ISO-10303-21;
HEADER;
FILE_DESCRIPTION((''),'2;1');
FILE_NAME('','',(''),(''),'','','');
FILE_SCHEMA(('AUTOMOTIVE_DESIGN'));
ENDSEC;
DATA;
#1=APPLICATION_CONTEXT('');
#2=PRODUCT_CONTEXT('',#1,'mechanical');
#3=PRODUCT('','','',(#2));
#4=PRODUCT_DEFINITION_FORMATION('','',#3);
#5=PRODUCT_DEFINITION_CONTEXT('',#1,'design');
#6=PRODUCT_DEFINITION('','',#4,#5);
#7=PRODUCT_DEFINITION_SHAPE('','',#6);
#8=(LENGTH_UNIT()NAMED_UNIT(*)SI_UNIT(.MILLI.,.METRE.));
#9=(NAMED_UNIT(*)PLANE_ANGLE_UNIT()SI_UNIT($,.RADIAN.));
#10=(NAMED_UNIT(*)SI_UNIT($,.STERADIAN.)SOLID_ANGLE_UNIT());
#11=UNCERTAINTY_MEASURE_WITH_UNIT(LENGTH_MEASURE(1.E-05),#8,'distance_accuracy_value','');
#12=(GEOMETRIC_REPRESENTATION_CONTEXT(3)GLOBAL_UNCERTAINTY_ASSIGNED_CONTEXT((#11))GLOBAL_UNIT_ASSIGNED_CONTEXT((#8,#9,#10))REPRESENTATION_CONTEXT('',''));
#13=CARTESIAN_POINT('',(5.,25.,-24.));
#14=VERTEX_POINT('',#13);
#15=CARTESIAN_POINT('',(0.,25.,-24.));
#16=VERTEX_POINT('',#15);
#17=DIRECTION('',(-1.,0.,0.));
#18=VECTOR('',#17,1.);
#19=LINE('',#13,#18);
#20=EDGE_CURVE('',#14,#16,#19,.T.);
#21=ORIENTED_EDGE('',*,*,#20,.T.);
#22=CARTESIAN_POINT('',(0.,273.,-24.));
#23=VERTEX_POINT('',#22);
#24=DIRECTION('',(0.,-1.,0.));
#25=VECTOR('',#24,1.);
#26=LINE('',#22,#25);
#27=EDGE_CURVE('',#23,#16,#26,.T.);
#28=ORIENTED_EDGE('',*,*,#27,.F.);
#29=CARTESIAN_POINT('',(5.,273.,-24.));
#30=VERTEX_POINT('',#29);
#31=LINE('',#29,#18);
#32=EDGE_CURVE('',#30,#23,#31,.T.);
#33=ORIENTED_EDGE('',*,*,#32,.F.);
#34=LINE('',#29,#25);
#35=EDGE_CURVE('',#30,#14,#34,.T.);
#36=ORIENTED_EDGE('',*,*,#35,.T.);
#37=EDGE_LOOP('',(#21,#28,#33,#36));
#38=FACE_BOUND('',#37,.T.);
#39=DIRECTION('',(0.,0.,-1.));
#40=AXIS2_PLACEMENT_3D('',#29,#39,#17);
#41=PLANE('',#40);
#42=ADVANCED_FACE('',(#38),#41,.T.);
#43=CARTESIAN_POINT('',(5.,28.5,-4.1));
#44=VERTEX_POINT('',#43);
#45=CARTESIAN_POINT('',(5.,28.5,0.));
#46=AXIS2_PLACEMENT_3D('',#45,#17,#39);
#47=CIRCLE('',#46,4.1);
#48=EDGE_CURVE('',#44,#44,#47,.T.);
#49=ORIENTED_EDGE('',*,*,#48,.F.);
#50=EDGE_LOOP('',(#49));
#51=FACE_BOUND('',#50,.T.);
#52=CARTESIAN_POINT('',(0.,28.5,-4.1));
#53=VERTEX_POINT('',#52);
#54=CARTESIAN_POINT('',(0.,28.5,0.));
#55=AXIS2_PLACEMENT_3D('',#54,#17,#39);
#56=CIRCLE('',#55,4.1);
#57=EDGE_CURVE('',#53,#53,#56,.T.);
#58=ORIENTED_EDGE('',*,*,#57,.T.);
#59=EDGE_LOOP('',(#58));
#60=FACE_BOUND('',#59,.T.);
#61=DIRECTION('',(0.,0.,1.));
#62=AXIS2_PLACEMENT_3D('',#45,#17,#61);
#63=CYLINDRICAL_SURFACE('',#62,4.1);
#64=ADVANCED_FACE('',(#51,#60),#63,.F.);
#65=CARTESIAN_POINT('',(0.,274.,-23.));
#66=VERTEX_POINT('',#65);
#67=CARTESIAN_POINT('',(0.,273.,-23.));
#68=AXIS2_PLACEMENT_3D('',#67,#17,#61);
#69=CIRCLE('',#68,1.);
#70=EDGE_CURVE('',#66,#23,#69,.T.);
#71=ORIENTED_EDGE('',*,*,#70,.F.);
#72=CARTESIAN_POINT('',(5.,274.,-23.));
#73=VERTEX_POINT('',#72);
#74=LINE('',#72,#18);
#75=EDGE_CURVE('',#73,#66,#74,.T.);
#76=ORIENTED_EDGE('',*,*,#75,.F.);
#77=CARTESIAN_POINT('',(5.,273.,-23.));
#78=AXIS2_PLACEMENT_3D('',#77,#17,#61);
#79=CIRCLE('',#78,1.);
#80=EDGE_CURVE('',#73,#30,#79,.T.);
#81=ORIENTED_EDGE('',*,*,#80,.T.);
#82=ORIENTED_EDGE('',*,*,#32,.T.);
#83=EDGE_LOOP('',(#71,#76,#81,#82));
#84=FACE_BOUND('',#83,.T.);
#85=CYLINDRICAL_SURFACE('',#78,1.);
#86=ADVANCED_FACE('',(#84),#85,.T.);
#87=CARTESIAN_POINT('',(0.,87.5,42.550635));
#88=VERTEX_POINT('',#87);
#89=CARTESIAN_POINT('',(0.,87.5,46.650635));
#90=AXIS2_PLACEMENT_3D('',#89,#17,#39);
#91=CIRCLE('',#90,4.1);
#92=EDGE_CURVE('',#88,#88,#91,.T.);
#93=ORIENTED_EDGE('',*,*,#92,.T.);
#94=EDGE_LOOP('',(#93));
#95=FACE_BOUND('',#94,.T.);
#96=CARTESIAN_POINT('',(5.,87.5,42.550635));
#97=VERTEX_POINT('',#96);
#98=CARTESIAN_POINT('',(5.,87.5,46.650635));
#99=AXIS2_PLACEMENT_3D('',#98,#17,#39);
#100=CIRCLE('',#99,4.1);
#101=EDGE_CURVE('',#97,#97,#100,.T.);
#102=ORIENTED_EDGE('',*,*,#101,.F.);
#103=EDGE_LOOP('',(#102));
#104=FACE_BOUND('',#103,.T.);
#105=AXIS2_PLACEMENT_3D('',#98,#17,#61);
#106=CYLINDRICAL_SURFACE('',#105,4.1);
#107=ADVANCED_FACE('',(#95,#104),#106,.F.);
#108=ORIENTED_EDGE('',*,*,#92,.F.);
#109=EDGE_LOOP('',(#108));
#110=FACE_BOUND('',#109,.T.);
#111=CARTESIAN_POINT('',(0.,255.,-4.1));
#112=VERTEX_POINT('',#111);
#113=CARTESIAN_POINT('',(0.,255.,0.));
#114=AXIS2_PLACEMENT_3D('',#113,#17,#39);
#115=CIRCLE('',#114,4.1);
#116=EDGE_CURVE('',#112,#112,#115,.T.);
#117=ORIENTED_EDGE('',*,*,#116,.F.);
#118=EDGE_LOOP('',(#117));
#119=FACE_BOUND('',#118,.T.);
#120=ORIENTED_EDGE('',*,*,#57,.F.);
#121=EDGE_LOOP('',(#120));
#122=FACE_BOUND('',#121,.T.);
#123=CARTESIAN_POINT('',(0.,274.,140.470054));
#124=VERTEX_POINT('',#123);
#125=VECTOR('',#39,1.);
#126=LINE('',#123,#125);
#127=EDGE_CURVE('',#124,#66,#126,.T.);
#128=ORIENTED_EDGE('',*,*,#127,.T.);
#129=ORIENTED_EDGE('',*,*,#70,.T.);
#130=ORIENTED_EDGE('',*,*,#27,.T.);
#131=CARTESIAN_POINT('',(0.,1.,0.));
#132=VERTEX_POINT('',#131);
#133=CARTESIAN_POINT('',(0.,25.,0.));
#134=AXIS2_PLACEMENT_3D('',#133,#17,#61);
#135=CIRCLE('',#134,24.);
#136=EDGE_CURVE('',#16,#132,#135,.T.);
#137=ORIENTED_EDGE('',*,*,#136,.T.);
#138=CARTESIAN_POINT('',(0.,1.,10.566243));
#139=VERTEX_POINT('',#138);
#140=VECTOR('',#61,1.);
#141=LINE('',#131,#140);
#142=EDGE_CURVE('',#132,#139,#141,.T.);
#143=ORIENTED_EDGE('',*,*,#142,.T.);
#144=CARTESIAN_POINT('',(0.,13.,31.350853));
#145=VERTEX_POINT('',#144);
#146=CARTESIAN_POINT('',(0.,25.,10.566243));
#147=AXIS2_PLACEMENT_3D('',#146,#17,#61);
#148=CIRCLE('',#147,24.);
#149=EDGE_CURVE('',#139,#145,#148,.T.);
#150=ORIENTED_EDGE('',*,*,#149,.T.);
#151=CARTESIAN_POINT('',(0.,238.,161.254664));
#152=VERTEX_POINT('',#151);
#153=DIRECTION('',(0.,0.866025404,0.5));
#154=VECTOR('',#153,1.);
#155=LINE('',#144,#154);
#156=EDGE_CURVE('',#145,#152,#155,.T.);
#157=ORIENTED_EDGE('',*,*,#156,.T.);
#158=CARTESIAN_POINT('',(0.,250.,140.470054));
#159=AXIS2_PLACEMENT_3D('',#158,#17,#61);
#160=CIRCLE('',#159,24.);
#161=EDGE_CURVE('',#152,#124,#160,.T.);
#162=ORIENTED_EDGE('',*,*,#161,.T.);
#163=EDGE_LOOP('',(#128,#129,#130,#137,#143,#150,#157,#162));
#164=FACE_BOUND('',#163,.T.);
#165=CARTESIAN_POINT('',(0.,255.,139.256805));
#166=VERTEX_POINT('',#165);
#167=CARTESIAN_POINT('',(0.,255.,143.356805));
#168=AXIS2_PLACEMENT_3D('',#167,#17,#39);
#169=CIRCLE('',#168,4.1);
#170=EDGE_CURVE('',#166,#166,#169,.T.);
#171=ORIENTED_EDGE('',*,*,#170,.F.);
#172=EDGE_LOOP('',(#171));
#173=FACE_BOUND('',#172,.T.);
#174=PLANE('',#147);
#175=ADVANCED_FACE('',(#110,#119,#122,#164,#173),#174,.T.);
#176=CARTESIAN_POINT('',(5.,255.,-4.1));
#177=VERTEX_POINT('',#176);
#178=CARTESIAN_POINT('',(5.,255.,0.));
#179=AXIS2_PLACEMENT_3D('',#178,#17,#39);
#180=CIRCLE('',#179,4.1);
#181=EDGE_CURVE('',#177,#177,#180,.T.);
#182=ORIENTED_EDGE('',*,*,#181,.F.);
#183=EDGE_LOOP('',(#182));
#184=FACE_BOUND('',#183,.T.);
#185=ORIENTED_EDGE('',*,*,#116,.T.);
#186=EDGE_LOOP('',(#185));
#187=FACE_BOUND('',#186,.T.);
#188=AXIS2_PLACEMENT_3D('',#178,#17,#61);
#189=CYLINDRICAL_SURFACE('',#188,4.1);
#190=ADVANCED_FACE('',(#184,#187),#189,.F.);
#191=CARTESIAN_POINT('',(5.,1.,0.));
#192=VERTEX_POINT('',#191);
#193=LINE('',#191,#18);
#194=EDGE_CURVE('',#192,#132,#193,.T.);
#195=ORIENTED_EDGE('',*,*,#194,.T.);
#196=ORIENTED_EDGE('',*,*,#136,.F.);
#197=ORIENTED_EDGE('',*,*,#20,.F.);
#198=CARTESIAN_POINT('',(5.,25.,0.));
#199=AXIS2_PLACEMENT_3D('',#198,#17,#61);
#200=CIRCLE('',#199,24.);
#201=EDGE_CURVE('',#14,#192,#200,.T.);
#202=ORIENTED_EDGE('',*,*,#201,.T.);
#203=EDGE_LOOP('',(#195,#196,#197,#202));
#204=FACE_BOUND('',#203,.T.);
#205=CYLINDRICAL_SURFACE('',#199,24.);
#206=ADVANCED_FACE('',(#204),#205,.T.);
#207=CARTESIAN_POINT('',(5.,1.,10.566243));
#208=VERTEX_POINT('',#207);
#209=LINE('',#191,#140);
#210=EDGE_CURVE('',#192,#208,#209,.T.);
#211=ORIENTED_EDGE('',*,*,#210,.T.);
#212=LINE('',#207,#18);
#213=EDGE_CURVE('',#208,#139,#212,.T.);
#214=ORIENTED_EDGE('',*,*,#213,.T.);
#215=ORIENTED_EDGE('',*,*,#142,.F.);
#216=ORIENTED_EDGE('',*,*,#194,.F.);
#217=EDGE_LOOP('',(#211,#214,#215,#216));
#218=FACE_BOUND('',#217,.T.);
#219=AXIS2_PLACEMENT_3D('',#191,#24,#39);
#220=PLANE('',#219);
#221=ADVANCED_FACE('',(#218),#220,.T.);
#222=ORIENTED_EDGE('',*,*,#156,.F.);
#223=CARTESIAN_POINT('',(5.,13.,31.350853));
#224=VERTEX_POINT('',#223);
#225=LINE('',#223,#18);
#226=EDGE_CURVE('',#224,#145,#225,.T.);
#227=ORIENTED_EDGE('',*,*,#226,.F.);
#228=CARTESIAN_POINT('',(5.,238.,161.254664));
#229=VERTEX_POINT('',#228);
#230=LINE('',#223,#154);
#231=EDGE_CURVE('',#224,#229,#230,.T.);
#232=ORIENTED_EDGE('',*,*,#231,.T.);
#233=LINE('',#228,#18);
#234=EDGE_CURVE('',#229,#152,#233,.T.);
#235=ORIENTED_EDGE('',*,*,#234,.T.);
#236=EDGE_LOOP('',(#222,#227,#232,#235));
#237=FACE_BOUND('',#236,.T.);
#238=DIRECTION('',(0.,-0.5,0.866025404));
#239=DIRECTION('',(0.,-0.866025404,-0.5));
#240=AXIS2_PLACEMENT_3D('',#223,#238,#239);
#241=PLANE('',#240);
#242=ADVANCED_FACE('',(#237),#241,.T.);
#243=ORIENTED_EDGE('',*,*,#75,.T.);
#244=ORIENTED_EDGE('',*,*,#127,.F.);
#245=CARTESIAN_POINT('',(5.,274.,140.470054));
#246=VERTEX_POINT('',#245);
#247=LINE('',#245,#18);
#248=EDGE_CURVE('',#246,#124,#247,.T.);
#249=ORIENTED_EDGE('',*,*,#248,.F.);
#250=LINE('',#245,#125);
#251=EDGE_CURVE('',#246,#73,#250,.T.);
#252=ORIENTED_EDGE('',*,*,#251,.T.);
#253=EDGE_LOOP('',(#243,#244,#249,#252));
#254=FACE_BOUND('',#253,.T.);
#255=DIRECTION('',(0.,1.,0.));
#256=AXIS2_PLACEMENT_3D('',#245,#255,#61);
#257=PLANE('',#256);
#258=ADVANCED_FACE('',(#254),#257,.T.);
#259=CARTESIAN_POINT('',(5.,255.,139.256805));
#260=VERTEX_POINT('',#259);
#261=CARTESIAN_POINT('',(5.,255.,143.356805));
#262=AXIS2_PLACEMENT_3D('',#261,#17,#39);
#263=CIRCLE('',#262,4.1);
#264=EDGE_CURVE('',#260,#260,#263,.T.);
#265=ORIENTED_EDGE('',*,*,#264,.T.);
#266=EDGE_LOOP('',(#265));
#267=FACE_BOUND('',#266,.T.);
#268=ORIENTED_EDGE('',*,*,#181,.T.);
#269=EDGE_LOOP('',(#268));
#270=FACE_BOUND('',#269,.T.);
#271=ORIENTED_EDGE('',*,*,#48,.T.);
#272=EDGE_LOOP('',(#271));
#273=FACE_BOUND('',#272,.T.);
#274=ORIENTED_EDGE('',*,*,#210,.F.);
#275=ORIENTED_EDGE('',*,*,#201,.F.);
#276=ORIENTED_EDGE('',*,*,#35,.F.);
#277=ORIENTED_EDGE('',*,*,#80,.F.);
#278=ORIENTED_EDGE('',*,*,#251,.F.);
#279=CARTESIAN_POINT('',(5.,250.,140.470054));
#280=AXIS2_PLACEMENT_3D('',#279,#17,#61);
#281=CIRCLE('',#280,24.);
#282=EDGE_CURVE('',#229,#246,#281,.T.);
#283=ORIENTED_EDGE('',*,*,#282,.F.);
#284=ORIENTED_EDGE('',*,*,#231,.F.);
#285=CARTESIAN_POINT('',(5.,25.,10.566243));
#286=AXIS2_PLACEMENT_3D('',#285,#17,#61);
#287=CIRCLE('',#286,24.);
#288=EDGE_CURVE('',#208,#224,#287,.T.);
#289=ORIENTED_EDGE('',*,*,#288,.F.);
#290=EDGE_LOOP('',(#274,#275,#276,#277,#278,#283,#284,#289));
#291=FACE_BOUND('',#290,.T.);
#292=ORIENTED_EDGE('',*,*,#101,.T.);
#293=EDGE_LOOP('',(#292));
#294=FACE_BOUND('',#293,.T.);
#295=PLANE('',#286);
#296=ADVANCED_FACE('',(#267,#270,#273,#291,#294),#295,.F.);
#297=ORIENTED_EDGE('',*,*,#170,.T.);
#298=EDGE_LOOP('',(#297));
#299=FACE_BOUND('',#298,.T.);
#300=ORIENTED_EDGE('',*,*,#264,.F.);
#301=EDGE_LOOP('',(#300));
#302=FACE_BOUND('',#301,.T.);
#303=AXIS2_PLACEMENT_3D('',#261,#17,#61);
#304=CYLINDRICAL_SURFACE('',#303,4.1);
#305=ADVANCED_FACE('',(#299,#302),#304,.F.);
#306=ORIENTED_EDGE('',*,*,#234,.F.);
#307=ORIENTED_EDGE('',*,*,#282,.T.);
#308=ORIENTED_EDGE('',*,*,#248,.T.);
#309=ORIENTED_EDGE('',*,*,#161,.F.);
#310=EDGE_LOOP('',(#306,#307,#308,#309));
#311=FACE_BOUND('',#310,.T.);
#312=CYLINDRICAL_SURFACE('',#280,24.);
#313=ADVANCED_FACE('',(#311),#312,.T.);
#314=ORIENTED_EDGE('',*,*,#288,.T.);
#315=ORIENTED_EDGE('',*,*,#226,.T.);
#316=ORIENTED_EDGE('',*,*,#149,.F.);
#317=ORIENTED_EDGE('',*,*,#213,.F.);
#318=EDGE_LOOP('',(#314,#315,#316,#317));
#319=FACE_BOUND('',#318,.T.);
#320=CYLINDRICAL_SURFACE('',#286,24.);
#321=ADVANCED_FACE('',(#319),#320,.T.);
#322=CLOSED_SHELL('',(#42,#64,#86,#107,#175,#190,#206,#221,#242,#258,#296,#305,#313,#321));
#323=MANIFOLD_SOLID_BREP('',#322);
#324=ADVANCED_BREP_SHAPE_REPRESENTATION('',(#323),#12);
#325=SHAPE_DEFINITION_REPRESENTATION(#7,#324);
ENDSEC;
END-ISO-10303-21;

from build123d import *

# Parameters (mm, degrees)
SKETCH1_R           = 4.1
BOSS_EXTRUDE1_DEPTH = 5


with BuildPart() as part:
    # Sketch1 → Boss-Extrude1 (new body)
    with BuildSketch(Plane(origin=(0, 0, 0), x_dir=(0, -1, 0), z_dir=(-1, 0, 0))):
        with BuildLine():
            Line((-13, 31.350852961), (-238, 161.254663529))
            ThreePointArc((-238, 161.254663529), (-262, 161.254663529), (-274, 140.470053838))
            Line((-274, 140.470053838), (-274, -23))
            ThreePointArc((-274, -23), (-273.707106781, -23.707106781), (-273, -24))
            Line((-273, -24), (-25, -24))
            ThreePointArc((-25, -24), (-8.029437252, -16.970562748), (-1, 0))
            Line((-1, 0), (-1, 10.56624327))
            ThreePointArc((-1, 10.56624327), (-4.215390309, 22.56624327), (-13, 31.350852961))
        make_face()
        with Locations((-255, 143.356805184)):
            Circle(SKETCH1_R, mode=Mode.SUBTRACT)
        with Locations((-255, 0)):
            Circle(SKETCH1_R, mode=Mode.SUBTRACT)
        with Locations((-28.5, 0)):
            Circle(SKETCH1_R, mode=Mode.SUBTRACT)
        with Locations((-87.5, 46.650635095)):
            Circle(SKETCH1_R, mode=Mode.SUBTRACT)
    extrude(amount=-BOSS_EXTRUDE1_DEPTH)


solid = part.part
